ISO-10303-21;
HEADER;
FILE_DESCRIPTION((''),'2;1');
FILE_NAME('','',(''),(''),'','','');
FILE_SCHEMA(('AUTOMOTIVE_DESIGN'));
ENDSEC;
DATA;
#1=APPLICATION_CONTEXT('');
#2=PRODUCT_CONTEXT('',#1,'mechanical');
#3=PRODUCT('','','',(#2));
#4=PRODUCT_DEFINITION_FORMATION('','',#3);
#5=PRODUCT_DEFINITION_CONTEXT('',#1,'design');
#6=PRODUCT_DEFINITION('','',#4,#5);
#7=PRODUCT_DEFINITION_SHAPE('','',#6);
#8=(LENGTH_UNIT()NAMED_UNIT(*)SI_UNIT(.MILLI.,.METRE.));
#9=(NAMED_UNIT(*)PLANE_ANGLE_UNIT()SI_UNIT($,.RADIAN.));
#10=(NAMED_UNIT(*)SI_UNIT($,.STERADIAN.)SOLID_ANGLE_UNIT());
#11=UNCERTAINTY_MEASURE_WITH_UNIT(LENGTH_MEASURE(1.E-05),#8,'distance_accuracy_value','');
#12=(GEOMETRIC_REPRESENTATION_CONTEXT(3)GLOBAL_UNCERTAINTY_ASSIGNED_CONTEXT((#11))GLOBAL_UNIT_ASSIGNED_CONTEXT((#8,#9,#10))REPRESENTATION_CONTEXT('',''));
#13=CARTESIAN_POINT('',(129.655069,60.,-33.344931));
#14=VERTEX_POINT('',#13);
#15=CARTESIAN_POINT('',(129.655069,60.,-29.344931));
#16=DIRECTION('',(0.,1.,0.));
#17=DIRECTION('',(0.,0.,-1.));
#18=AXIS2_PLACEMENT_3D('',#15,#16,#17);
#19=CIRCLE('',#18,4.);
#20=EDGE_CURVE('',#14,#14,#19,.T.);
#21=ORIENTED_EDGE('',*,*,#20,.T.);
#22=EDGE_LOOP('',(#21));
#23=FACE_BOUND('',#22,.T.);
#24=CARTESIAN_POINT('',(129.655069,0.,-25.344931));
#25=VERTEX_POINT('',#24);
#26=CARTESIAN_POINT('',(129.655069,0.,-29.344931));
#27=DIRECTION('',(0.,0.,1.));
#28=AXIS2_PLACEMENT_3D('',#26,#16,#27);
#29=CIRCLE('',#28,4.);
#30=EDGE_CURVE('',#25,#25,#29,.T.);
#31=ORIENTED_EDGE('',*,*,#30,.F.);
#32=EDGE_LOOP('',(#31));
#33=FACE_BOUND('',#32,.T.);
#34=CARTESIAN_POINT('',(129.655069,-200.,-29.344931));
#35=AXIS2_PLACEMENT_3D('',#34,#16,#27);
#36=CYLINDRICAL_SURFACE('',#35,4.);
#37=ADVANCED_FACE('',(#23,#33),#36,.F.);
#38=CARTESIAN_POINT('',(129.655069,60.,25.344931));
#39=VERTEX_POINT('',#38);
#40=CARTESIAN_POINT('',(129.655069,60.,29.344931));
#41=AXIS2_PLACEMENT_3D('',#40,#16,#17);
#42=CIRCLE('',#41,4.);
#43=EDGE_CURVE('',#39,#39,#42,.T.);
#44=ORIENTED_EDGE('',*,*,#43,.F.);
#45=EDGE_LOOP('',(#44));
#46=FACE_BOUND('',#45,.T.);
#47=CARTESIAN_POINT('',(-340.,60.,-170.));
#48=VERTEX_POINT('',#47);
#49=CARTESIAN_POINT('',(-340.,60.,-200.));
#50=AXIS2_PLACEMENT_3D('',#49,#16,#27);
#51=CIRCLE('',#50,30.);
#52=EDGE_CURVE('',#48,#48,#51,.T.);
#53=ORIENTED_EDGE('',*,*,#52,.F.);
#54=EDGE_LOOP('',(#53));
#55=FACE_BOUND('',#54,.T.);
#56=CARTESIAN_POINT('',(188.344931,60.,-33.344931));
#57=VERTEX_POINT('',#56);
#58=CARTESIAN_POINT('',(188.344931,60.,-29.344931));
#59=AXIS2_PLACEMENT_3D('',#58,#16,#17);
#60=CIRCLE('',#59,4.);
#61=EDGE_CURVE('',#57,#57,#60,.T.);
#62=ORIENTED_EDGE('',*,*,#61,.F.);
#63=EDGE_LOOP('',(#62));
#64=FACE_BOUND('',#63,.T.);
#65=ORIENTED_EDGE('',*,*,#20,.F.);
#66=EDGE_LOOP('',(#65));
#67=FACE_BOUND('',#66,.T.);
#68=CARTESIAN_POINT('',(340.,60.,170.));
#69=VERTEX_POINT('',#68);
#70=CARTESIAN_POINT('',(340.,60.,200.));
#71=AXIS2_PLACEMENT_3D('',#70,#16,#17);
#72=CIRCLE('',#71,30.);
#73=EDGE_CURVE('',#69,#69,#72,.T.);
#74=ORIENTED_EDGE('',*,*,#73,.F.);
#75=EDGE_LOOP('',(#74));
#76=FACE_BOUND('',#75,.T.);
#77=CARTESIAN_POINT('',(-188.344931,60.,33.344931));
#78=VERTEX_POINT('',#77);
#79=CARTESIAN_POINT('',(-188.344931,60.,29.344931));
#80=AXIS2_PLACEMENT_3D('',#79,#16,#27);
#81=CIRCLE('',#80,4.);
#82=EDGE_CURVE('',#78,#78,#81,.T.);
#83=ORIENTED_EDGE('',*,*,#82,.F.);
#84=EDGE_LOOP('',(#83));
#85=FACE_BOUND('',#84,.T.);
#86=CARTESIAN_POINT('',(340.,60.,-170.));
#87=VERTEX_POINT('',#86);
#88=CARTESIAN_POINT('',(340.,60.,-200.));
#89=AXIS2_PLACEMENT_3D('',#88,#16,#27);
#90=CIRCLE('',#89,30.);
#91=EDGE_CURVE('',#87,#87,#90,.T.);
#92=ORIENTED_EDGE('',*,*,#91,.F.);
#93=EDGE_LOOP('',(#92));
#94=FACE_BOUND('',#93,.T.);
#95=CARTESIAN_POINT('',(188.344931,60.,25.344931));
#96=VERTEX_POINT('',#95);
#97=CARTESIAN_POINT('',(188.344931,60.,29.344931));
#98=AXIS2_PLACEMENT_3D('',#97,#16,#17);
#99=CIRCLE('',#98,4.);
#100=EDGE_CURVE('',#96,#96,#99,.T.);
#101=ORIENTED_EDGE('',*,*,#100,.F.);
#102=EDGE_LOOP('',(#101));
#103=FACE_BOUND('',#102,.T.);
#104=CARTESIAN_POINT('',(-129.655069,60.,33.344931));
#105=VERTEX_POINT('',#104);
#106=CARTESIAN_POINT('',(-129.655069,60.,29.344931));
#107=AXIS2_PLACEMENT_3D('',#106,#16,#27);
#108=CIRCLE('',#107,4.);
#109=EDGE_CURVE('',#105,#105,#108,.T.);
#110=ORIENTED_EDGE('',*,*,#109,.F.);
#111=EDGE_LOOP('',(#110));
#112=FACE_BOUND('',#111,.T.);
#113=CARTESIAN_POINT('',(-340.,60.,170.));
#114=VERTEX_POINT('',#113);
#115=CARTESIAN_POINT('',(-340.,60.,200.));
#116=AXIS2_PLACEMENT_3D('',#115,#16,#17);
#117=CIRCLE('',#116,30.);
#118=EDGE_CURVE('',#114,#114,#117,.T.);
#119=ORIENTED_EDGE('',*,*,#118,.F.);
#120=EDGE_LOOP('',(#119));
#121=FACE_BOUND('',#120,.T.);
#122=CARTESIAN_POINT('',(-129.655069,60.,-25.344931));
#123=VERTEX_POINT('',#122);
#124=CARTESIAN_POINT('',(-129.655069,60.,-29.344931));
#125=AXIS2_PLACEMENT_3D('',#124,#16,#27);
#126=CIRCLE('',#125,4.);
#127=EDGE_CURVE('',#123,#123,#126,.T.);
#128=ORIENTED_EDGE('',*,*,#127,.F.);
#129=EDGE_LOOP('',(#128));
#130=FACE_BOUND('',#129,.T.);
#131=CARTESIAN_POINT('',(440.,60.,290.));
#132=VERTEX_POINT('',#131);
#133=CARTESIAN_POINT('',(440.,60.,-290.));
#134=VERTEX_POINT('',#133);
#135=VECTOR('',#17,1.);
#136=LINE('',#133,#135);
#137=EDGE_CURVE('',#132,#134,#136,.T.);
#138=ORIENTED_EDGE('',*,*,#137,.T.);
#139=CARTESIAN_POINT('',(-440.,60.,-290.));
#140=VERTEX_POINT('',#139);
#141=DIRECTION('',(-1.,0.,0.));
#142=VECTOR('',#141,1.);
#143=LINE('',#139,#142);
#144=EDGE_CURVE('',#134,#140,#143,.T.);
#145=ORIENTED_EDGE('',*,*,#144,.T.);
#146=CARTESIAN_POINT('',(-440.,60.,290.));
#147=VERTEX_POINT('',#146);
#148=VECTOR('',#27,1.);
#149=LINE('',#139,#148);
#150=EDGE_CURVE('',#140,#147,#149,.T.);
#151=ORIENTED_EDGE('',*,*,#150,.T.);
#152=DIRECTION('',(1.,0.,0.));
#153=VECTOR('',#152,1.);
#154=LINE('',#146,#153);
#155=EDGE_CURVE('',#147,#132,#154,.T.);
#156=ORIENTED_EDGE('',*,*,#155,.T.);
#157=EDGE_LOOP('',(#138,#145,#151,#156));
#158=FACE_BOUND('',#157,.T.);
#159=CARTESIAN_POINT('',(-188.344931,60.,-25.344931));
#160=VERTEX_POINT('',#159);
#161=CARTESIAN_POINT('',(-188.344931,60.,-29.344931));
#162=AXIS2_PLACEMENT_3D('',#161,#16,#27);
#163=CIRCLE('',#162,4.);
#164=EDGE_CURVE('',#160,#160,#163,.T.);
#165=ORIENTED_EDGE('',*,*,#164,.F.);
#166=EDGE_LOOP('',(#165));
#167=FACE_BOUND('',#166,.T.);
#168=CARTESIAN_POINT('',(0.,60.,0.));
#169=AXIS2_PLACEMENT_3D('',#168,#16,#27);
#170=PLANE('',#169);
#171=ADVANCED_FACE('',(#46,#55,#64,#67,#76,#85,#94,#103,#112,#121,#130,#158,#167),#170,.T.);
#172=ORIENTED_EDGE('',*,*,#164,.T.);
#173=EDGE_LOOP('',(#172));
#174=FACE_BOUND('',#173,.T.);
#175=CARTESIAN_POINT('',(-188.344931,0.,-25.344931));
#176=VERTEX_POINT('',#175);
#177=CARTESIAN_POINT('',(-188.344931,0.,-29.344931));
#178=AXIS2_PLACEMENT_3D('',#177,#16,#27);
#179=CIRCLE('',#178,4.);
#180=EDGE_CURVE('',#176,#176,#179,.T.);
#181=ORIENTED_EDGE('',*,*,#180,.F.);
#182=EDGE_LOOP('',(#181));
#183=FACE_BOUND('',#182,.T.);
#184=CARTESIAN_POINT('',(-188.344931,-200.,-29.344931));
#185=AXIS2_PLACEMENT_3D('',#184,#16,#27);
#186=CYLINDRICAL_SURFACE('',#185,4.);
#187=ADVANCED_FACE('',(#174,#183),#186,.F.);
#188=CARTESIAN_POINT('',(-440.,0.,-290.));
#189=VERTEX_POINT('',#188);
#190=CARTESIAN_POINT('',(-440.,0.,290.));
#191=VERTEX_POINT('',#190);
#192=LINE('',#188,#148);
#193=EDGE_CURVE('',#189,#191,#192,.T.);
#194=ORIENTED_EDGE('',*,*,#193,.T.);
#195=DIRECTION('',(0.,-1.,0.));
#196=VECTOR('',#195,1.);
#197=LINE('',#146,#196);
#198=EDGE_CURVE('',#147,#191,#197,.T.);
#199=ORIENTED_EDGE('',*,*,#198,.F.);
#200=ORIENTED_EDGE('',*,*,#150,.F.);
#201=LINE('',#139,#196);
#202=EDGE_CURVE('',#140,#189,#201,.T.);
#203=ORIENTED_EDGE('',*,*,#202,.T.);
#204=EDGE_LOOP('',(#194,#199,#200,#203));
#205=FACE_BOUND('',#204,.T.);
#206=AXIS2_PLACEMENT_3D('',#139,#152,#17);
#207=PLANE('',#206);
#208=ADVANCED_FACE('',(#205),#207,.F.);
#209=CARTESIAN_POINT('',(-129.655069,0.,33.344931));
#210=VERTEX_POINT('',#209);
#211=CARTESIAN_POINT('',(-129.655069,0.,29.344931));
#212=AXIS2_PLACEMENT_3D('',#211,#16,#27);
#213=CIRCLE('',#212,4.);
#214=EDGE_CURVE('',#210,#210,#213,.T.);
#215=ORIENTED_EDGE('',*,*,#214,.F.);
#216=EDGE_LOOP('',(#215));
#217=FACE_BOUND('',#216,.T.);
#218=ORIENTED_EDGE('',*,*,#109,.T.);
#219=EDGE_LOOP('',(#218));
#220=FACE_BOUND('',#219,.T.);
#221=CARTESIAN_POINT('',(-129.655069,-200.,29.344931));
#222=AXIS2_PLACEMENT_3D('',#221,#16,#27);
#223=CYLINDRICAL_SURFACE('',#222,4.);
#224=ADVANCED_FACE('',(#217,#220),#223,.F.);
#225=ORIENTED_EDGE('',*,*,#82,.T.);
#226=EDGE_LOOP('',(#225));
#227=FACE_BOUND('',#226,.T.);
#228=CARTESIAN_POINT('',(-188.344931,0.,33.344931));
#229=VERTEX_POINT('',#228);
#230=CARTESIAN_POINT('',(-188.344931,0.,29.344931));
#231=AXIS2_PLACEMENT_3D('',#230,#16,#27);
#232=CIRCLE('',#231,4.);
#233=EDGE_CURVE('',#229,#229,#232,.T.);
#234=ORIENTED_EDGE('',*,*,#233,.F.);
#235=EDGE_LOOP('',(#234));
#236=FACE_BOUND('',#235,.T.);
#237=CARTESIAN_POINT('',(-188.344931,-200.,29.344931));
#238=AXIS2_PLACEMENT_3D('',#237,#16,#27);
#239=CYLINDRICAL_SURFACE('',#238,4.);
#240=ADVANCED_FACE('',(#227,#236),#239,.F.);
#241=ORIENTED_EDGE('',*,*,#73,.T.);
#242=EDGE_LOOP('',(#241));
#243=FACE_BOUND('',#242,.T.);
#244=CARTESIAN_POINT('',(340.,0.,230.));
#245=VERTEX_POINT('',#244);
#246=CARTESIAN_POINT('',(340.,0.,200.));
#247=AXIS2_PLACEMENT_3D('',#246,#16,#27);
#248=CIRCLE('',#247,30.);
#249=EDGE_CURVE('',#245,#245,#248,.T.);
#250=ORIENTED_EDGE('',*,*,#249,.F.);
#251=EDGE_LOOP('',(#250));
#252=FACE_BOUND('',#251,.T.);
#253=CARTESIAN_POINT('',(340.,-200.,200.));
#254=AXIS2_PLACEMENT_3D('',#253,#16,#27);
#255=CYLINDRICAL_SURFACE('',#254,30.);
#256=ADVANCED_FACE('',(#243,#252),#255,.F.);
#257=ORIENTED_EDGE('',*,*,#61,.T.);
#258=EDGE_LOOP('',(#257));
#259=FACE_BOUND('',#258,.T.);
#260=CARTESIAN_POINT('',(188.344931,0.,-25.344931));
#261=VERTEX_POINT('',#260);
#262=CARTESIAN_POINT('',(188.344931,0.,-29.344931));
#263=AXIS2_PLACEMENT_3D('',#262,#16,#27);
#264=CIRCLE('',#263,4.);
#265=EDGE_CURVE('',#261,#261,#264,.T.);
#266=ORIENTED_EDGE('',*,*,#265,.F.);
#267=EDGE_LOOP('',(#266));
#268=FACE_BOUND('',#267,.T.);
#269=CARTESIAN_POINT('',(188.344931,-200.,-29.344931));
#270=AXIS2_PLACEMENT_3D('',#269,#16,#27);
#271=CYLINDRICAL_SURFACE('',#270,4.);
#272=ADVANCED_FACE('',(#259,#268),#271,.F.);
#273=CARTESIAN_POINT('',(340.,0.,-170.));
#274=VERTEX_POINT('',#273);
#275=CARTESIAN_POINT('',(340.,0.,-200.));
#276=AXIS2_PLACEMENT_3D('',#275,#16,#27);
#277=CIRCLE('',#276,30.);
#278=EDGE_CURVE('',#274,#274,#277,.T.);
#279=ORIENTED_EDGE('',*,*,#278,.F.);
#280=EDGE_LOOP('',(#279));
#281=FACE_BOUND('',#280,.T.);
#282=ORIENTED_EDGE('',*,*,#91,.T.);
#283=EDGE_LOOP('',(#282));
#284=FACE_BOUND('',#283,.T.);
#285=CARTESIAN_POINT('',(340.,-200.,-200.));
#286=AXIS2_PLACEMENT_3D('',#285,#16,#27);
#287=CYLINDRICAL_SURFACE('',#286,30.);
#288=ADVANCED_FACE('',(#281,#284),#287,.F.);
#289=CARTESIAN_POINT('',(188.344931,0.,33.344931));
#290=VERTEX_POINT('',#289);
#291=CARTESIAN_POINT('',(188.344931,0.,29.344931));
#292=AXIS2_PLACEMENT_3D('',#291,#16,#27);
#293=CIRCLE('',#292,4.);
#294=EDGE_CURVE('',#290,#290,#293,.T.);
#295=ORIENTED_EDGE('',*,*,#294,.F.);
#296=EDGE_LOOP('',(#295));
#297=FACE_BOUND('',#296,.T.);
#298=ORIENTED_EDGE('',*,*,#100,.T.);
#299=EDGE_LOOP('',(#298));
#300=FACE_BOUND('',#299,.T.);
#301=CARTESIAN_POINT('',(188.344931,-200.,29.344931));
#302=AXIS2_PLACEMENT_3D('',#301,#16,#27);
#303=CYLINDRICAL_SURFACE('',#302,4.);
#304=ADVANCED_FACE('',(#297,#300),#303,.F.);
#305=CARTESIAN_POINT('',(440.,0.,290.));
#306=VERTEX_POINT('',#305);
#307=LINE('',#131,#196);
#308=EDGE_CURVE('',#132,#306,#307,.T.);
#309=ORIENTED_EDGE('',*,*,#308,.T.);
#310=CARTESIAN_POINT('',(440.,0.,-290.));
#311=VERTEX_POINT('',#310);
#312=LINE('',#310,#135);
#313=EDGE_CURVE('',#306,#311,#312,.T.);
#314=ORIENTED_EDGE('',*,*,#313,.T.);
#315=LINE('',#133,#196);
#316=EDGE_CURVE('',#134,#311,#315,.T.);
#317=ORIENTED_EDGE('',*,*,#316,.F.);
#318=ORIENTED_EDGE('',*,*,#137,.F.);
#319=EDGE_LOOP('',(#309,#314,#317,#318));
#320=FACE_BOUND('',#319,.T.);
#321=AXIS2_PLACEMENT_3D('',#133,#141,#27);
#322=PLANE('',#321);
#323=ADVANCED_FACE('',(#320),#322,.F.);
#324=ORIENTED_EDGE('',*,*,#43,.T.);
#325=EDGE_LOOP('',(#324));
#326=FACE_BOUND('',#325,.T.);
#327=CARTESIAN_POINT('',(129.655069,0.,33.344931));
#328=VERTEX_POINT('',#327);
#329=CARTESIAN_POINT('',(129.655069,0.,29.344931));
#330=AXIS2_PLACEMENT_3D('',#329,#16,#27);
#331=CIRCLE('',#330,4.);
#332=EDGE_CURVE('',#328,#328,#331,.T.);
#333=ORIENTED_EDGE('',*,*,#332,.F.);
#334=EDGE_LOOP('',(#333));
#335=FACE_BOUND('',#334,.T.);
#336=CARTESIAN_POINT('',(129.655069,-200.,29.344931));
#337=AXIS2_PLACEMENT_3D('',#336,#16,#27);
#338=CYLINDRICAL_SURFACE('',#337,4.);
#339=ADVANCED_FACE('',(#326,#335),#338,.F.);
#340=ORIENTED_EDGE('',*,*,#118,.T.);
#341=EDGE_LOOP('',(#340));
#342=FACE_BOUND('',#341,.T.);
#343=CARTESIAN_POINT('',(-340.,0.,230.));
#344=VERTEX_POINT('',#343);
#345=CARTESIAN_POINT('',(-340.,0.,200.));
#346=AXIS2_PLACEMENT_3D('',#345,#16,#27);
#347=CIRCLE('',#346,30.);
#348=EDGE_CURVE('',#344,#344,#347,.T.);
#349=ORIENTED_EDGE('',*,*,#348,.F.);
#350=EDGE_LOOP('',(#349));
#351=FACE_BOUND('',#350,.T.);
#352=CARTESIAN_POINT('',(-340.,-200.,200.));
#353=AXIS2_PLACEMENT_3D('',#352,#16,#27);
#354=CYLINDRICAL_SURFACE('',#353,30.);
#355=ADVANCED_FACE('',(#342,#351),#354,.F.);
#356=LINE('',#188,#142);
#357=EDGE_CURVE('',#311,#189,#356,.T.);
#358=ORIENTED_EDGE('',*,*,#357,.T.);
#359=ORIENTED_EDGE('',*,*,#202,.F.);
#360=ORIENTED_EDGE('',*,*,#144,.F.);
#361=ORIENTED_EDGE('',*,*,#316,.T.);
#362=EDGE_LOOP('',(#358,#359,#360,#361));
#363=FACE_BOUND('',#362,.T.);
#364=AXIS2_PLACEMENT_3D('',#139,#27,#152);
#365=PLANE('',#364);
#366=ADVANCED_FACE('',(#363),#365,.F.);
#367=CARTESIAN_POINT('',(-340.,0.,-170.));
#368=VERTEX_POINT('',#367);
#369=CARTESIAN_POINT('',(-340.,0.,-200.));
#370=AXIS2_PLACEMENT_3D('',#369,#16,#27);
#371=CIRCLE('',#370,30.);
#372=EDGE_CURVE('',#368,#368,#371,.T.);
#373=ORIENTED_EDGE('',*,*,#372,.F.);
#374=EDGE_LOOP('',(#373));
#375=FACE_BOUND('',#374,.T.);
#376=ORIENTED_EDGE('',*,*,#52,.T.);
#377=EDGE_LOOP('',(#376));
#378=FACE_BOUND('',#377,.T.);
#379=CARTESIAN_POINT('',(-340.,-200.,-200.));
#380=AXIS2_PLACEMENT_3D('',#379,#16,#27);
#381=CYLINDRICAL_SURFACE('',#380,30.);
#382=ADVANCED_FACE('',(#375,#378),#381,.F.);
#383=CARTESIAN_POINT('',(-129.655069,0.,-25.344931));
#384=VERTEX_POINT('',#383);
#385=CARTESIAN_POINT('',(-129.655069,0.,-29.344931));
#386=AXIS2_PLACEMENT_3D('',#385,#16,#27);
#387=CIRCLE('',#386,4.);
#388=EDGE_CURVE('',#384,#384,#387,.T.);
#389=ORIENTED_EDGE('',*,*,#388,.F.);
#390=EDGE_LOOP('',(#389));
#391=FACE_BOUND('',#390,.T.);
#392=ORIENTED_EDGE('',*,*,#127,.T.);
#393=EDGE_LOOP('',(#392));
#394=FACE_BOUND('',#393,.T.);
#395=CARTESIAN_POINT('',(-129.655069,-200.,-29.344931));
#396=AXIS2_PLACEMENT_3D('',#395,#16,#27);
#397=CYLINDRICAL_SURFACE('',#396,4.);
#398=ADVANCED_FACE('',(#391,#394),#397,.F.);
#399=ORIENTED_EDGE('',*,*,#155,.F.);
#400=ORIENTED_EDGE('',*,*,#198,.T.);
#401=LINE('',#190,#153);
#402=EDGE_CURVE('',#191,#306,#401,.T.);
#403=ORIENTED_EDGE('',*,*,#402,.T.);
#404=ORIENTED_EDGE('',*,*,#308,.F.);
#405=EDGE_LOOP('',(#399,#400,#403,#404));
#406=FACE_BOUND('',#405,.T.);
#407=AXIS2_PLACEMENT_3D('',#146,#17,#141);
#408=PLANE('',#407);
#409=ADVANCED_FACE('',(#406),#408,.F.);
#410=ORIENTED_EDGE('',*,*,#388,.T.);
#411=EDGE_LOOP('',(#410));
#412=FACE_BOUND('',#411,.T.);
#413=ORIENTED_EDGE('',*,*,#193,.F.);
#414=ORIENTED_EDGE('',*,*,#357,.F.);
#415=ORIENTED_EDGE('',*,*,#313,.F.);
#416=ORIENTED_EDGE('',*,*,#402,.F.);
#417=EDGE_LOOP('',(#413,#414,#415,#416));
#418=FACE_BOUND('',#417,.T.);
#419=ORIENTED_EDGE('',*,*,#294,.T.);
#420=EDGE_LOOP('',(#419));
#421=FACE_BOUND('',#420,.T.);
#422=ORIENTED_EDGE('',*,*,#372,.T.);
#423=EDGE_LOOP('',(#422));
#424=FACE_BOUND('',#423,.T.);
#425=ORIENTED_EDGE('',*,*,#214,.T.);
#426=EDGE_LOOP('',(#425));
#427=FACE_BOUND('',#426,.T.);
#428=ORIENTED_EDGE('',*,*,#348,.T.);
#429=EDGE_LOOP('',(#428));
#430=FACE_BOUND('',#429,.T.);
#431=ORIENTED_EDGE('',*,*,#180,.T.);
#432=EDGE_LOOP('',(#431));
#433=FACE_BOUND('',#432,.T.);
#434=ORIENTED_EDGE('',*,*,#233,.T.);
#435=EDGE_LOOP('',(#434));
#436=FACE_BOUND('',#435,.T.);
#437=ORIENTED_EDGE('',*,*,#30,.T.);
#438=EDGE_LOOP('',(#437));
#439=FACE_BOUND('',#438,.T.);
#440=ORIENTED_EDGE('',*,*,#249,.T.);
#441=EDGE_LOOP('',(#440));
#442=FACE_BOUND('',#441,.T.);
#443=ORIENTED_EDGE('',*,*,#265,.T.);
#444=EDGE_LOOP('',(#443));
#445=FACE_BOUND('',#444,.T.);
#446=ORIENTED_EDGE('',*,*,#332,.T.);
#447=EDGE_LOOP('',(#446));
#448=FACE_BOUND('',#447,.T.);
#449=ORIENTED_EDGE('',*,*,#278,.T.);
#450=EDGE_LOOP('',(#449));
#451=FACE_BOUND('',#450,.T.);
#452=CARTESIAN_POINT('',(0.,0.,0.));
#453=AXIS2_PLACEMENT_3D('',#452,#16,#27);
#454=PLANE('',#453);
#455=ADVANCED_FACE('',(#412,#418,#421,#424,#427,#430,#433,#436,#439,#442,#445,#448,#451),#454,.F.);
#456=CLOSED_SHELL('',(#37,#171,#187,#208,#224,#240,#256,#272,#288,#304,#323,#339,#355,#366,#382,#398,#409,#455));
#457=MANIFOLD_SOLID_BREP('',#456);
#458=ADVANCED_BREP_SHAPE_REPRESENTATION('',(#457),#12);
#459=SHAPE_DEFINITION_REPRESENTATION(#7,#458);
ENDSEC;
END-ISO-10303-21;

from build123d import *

# Parameters (mm, degrees)
SKETCH1_W           = 880
SKETCH1_H           = 580
BOSS_EXTRUDE1_DEPTH = 60
SKETCH2_R           = 30
CUT_EXTRUDE1_DEPTH  = 260
SKETCH4_R           = 4
CUT_EXTRUDE3_DEPTH  = 260


with BuildPart() as part:
    # Sketch1 → Boss-Extrude1 (new body)
    with BuildSketch(Plane(origin=(0, 0, 0), x_dir=(1, 0, 0), z_dir=(0, 1, 0))):
        Rectangle(SKETCH1_W, SKETCH1_H)
    extrude(amount=BOSS_EXTRUDE1_DEPTH)

    # Sketch2 → Cut-Extrude1 (cut)
    with BuildSketch(Plane(origin=(0, 60, 0), x_dir=(1, 0, 0), z_dir=(0, 1, 0))):
        with Locations(Location((-340, 200, 0), (0, 0, 270))):
            Circle(SKETCH2_R)
        with Locations(Location((340, 200, 0), (0, 0, 270))):
            Circle(SKETCH2_R)
        with Locations(Location((340, -200, 0), (0, 0, 270))):
            Circle(SKETCH2_R)
        with Locations(Location((-340, -200, 0), (0, 0, 270))):
            Circle(SKETCH2_R)
    extrude(amount=-CUT_EXTRUDE1_DEPTH, mode=Mode.SUBTRACT)

    # Sketch4 → Cut-Extrude3 (cut)
    with BuildSketch(Plane(origin=(0, 60, 0), x_dir=(1, 0, 0), z_dir=(0, 1, 0))):
        with Locations(Location((-129.655068581, 29.344931419, 0), (0, 0, 270))):
            Circle(SKETCH4_R)
        with Locations(Location((-129.655068581, -29.344931419, 0), (0, 0, 270))):
            Circle(SKETCH4_R)
        with Locations(Location((-188.344931419, -29.344931419, 0), (0, 0, 270))):
            Circle(SKETCH4_R)
        with Locations(Location((-188.344931419, 29.344931419, 0), (0, 0, 270))):
            Circle(SKETCH4_R)
        with Locations(Location((188.344931419, 29.344931419, 0), (0, 0, 270))):
            Circle(SKETCH4_R)
        with Locations(Location((188.344931419, -29.344931419, 0), (0, 0, 270))):
            Circle(SKETCH4_R)
        with Locations(Location((129.655068581, -29.344931419, 0), (0, 0, 270))):
            Circle(SKETCH4_R)
        with Locations(Location((129.655068581, 29.344931419, 0), (0, 0, 270))):
            Circle(SKETCH4_R)
    extrude(amount=-CUT_EXTRUDE3_DEPTH, mode=Mode.SUBTRACT)


solid = part.part
